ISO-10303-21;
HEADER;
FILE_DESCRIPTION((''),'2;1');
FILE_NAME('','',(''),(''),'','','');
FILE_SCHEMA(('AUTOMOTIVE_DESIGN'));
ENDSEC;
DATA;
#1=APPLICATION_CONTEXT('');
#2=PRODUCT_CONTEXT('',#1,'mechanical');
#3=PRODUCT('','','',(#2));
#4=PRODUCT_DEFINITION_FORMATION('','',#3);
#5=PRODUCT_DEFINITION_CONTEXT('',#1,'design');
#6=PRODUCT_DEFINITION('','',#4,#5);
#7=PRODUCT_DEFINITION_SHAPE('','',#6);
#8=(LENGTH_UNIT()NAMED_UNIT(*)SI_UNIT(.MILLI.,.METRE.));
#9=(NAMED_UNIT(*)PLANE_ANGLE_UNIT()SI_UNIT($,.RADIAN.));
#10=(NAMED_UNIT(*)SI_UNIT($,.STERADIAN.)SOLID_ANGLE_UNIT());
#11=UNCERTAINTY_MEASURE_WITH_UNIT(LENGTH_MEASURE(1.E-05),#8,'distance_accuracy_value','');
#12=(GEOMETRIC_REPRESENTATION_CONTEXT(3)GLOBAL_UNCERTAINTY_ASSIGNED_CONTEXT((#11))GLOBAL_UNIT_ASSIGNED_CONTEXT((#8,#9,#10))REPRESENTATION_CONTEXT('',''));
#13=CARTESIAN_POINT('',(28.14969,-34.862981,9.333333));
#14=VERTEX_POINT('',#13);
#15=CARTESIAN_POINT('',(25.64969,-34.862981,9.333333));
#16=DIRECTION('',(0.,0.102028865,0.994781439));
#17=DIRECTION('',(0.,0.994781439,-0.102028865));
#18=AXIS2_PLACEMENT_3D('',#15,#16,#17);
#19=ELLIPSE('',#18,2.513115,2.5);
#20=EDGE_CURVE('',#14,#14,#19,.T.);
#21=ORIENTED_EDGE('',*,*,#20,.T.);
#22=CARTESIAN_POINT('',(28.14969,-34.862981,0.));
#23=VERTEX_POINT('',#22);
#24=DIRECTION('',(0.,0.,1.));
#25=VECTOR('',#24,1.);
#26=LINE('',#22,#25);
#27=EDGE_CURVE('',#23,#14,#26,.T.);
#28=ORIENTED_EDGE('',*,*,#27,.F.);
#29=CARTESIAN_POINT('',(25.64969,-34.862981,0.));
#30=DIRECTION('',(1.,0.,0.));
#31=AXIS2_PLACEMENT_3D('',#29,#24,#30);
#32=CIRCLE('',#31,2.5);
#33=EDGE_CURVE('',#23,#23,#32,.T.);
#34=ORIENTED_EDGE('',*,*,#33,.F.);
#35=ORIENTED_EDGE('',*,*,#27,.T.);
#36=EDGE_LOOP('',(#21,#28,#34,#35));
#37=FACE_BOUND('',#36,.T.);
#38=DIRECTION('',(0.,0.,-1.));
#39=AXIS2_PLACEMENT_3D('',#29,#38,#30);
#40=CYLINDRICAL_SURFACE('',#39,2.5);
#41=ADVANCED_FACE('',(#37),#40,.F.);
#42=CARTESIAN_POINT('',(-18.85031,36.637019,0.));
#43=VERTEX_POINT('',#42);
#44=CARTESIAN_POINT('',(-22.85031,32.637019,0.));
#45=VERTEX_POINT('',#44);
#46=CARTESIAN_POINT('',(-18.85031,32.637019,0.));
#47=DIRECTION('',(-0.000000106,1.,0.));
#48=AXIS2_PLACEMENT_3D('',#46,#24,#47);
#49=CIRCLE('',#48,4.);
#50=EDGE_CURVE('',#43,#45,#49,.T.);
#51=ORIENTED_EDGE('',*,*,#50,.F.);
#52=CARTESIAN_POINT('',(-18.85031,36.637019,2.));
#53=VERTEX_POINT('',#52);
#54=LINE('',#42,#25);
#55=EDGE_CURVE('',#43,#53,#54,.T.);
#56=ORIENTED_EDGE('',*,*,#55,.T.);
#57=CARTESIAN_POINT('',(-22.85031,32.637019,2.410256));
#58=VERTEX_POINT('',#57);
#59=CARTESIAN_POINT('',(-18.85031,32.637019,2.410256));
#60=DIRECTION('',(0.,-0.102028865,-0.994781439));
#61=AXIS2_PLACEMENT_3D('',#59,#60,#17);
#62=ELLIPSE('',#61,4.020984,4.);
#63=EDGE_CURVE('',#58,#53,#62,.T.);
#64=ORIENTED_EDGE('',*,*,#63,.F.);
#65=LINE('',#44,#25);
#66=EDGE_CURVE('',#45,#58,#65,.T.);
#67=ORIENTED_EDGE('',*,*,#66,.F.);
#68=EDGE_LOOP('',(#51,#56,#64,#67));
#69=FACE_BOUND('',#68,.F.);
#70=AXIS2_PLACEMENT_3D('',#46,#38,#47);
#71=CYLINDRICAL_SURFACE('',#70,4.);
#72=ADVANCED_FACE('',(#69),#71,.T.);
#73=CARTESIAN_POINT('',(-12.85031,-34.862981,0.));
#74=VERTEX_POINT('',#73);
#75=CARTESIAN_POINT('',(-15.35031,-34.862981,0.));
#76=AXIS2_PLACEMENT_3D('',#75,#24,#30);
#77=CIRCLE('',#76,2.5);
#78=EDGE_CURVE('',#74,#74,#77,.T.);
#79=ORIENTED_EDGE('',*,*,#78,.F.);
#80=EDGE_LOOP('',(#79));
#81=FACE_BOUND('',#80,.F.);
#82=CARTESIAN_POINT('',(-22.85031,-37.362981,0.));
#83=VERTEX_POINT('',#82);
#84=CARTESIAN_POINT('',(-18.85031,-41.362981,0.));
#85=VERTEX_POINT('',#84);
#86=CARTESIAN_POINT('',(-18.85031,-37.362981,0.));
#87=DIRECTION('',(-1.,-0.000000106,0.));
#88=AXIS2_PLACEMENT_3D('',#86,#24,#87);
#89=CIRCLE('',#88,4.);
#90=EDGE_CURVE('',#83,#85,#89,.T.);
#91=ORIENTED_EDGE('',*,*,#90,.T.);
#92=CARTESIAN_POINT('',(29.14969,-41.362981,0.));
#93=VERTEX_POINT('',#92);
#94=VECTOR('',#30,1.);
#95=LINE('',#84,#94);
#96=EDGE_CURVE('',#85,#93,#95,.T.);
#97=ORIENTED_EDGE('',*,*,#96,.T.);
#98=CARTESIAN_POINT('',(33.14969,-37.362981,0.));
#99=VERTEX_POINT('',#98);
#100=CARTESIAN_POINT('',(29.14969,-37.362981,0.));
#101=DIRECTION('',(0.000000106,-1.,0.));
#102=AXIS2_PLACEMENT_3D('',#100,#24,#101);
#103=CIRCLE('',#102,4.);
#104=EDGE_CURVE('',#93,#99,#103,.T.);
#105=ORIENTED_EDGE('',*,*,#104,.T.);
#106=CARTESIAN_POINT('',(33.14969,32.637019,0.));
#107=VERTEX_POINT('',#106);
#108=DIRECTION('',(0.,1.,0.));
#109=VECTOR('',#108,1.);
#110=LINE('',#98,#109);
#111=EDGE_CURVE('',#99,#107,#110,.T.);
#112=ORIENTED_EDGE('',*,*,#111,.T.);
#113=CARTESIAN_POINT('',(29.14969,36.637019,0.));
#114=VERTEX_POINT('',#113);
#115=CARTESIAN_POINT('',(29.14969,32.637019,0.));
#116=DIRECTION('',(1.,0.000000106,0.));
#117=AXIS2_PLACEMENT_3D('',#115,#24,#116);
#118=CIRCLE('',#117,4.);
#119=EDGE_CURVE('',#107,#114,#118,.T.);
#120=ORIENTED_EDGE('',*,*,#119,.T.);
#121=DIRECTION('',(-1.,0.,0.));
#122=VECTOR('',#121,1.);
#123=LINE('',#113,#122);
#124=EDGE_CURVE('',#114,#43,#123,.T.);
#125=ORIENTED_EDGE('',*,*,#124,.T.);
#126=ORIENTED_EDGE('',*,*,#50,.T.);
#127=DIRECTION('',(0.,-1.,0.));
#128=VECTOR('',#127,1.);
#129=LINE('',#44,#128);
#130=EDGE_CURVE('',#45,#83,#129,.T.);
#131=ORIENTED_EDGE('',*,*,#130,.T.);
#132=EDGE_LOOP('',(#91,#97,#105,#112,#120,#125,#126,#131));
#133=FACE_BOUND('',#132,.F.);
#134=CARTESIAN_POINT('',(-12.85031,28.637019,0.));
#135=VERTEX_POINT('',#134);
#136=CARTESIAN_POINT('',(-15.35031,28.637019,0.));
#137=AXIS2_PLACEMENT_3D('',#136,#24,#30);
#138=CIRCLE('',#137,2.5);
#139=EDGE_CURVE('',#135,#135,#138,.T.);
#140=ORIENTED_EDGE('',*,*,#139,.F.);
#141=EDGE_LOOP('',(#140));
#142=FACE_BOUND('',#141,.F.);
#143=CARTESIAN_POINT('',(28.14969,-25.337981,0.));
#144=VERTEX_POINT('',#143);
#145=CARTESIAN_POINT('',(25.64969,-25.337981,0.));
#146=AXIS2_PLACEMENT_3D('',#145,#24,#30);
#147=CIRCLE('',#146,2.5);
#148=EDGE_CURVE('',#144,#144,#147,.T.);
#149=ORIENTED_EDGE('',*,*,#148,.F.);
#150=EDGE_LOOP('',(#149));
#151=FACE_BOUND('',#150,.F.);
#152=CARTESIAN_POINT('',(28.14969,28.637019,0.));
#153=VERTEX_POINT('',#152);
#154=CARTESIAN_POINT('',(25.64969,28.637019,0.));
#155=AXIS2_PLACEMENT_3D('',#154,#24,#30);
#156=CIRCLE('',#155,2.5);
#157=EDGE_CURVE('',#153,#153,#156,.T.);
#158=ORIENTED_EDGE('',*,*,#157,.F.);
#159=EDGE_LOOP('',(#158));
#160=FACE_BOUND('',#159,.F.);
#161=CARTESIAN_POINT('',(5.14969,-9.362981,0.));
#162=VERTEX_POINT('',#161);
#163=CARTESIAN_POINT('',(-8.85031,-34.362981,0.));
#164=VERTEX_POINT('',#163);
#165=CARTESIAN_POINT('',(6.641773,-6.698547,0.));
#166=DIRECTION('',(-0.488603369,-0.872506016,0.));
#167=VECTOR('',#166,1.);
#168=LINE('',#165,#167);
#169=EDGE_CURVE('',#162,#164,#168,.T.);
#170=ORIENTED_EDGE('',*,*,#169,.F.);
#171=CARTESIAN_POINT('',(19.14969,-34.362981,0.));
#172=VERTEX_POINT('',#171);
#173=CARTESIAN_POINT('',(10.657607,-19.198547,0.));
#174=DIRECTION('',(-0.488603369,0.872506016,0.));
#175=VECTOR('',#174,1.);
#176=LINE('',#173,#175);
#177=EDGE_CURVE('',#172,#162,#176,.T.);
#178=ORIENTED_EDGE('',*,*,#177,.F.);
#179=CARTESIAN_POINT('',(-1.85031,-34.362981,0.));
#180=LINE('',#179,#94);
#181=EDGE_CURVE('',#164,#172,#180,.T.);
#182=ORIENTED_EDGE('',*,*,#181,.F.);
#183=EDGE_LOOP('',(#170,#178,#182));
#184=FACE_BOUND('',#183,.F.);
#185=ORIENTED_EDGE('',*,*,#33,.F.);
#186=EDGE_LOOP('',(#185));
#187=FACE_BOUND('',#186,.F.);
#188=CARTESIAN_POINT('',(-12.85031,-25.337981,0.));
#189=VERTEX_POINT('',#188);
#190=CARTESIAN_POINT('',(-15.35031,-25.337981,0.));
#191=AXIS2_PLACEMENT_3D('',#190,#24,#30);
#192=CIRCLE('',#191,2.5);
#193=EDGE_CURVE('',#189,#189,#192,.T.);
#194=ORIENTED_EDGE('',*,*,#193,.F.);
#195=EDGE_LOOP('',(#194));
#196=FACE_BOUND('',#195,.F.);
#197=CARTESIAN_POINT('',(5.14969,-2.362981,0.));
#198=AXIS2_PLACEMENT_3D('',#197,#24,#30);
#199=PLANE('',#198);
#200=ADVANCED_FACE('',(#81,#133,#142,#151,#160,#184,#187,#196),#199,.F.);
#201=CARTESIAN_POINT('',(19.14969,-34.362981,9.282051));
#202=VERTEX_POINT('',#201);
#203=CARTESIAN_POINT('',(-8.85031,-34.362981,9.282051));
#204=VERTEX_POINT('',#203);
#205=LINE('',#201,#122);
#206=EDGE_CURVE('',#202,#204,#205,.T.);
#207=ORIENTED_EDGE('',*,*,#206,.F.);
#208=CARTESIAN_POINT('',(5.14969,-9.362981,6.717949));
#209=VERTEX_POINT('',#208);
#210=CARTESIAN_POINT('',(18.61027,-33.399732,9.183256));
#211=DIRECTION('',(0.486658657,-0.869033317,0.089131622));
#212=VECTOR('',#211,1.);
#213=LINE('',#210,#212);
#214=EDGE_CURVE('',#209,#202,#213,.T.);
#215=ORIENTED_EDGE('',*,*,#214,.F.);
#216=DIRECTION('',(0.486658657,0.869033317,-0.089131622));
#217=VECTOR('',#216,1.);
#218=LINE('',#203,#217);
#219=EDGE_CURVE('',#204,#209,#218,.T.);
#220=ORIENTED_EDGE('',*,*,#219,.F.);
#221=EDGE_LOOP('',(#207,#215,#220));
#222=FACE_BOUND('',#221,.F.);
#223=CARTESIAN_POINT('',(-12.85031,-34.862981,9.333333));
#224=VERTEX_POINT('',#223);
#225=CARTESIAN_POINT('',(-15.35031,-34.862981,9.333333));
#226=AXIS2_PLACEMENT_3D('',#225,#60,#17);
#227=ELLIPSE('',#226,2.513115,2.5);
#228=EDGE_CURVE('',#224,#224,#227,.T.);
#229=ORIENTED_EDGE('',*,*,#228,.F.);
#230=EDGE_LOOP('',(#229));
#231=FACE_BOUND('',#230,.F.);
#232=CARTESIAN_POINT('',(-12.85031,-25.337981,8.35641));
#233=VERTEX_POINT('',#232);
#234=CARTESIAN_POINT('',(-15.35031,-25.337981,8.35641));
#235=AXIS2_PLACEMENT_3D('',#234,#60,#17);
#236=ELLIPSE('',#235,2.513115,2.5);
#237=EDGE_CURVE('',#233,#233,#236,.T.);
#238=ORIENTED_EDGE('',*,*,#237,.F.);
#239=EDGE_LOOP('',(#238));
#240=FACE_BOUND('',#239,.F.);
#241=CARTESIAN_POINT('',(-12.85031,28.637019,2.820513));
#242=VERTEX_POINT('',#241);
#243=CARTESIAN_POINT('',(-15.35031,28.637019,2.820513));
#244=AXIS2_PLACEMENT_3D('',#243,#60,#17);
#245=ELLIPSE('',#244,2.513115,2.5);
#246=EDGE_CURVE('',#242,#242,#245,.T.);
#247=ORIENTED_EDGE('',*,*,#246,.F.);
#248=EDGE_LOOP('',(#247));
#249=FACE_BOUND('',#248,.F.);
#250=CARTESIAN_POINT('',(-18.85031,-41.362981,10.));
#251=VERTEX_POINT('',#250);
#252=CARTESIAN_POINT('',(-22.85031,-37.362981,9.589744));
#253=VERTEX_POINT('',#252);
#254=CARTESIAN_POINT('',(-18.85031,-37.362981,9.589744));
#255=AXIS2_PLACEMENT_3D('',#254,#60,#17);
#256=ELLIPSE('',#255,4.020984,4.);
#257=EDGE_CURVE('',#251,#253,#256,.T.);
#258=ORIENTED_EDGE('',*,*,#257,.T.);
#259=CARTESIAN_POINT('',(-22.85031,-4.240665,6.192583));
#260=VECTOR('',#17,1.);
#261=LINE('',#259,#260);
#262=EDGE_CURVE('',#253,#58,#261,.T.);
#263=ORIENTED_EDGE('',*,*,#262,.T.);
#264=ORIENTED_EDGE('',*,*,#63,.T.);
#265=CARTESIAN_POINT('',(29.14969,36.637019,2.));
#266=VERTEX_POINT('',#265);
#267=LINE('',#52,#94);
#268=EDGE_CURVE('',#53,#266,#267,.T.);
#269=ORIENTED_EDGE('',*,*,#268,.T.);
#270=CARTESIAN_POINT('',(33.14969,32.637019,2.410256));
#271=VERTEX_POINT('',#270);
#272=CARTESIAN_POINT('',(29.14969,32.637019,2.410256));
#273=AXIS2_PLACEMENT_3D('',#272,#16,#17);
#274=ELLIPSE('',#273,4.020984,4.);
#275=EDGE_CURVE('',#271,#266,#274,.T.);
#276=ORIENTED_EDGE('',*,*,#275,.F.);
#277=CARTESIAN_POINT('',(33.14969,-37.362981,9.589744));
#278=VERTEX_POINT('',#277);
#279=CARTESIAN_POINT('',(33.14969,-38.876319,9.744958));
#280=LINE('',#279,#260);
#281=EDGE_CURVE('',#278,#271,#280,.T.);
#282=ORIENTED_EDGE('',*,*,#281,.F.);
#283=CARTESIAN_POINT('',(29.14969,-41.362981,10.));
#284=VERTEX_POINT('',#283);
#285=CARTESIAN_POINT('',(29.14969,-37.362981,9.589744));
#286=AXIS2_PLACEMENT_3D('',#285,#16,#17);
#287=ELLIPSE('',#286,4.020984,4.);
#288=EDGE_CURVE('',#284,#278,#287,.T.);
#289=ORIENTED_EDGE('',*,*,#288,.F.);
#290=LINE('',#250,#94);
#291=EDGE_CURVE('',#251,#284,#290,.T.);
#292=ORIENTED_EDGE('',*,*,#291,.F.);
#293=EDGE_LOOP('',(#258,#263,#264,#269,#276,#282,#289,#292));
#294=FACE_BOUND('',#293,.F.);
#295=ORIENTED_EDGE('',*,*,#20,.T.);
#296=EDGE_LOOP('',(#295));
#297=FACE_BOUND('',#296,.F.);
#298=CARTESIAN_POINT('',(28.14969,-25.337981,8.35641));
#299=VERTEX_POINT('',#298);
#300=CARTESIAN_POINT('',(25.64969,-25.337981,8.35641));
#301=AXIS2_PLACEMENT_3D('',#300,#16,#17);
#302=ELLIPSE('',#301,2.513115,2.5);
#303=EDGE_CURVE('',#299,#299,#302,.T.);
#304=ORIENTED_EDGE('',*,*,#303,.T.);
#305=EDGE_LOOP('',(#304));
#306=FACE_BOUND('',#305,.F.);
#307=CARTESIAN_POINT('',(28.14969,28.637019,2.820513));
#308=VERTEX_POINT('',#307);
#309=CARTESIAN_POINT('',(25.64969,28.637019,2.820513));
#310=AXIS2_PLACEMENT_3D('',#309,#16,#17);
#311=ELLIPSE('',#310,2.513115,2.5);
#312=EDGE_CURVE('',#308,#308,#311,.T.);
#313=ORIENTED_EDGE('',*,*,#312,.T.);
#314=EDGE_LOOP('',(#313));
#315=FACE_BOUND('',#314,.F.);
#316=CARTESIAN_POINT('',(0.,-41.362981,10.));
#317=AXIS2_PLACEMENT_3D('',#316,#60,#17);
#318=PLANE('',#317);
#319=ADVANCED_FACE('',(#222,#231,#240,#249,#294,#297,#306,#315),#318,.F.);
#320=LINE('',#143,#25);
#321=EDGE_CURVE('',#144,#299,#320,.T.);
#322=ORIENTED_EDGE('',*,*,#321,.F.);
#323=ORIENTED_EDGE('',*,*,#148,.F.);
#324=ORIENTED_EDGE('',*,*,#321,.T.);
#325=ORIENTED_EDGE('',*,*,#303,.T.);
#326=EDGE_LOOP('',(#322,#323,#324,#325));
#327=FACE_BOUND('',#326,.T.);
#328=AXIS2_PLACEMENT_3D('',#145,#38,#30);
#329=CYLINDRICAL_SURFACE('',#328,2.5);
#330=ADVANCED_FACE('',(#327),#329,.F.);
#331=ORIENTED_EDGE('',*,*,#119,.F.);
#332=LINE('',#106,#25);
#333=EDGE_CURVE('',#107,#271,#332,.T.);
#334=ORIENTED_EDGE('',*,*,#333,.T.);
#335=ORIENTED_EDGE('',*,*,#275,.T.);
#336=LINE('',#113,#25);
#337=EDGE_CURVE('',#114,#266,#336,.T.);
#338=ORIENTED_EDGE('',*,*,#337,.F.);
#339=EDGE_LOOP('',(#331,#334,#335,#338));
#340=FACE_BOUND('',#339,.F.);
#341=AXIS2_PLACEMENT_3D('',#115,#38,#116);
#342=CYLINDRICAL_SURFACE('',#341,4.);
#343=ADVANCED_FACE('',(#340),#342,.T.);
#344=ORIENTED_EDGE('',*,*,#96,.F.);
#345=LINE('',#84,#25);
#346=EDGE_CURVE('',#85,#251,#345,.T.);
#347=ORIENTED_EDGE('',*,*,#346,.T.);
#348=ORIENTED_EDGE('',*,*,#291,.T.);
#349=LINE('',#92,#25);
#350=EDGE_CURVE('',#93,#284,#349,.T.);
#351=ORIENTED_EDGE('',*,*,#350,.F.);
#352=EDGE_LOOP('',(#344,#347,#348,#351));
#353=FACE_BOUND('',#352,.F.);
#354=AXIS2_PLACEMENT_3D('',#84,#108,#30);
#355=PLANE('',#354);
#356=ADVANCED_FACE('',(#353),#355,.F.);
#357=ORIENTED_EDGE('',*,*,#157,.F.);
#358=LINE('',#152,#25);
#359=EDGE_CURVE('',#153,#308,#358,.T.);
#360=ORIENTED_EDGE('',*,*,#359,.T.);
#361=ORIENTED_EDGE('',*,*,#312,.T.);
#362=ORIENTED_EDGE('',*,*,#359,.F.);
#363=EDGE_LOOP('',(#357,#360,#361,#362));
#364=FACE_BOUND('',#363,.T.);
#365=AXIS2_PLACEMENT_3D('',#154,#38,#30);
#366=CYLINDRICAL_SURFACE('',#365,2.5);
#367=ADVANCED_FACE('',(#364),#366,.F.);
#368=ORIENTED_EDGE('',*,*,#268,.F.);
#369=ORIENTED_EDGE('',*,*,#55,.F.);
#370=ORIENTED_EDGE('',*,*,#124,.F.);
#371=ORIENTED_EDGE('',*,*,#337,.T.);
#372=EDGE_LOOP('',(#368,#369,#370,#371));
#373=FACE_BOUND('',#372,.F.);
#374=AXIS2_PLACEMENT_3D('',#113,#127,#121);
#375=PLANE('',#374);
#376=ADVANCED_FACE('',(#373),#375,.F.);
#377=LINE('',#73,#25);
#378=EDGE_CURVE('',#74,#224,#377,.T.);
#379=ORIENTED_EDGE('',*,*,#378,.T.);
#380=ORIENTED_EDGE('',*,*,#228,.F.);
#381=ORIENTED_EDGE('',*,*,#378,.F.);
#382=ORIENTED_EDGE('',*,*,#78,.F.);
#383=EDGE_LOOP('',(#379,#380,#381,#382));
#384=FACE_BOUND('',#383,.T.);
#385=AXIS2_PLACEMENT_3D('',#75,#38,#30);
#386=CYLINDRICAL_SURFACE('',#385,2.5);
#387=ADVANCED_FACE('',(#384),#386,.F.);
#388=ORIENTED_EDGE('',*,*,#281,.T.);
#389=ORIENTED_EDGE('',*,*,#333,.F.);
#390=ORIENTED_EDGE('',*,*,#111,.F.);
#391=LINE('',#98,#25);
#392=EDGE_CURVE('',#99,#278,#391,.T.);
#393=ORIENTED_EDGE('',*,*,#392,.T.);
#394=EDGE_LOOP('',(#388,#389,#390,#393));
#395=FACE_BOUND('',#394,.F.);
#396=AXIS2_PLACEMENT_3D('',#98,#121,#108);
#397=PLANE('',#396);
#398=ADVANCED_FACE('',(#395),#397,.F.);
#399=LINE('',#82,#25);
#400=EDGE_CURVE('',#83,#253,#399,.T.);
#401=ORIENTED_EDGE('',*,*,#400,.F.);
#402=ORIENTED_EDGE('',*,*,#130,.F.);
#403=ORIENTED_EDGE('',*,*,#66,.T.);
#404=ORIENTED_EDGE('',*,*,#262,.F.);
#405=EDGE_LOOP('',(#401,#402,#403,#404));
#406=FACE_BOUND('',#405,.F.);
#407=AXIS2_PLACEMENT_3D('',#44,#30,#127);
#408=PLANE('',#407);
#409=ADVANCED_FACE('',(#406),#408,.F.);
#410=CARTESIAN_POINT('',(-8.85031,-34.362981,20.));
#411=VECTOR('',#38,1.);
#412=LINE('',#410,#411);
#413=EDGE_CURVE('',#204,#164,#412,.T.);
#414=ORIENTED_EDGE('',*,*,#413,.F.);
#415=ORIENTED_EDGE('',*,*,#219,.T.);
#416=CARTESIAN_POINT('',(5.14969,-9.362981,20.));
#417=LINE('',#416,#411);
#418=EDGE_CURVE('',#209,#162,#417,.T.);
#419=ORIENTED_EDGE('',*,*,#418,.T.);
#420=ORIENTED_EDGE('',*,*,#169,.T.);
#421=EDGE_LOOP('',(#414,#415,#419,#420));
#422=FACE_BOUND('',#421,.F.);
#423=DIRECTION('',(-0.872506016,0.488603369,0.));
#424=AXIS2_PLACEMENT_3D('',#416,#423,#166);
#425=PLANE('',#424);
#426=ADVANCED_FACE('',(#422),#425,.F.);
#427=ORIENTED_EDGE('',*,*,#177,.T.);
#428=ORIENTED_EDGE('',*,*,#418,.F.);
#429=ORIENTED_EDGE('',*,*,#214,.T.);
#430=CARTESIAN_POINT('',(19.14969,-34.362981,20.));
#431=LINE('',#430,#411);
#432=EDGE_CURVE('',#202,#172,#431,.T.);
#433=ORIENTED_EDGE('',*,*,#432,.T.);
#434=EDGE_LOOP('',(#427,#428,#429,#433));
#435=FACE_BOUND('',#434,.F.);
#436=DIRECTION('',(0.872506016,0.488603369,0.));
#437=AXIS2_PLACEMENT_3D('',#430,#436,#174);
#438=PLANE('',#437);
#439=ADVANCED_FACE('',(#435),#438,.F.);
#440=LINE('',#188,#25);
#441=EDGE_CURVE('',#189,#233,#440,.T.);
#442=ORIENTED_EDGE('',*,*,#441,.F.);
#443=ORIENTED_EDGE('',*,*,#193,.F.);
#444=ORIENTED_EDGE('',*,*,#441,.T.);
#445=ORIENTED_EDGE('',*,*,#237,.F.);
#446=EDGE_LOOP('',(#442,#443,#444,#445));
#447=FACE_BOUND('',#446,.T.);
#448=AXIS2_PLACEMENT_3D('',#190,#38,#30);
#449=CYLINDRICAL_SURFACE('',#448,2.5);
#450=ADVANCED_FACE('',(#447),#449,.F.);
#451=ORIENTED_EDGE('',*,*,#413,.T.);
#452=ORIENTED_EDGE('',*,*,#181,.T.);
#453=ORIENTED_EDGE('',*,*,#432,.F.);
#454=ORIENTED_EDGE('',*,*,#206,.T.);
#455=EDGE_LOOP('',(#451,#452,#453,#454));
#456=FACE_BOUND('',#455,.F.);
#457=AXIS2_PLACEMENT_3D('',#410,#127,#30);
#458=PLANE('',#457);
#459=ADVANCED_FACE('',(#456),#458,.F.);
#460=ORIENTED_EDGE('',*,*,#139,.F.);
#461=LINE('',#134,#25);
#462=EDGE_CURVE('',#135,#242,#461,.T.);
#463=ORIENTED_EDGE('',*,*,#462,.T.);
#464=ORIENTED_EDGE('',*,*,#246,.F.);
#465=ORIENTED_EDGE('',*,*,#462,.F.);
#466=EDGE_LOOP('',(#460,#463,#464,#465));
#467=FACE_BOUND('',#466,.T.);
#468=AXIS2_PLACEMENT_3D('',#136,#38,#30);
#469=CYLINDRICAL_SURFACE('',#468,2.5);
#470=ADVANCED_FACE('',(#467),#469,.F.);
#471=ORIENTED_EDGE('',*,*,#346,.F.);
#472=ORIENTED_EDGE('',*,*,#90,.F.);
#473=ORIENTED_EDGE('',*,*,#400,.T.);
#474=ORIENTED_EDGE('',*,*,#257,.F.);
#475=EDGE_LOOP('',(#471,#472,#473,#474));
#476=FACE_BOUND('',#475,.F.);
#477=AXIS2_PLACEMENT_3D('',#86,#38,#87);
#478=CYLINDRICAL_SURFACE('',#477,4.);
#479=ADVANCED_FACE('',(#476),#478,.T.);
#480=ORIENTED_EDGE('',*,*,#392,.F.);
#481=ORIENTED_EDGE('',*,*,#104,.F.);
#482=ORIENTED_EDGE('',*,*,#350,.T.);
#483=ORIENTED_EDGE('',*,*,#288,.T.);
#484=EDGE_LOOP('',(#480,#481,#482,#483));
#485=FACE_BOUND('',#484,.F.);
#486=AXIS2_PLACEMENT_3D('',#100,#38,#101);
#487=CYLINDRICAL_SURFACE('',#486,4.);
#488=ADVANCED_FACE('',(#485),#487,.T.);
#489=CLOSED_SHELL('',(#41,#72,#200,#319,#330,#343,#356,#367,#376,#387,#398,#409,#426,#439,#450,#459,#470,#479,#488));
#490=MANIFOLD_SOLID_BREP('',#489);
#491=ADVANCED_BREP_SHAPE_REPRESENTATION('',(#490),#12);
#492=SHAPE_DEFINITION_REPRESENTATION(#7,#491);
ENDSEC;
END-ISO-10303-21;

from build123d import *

# Parameters (mm, degrees)
F0_R          = 2.5
F1_DEPTH      = 20
F3_DEPTH      = 25
F5_DEPTH      = 33.15069
F5_DEPTH_BACK = 22.85131


with BuildPart() as f1:
    # F0 (on Top) → F1 (new body)
    with BuildSketch(Plane.XY):
        with BuildLine():
            Line((29.14969, 36.637019), (-18.85031, 36.637019))
            ThreePointArc((-18.85031, 36.637019), (-21.678737, 35.465446), (-22.85031, 32.637019))
            Line((-22.85031, 32.637019), (-22.85031, -37.362981))
            ThreePointArc((-22.85031, -37.362981), (-21.678737, -40.191408), (-18.85031, -41.362981))
            Line((-18.85031, -41.362981), (29.14969, -41.362981))
            ThreePointArc((29.14969, -41.362981), (31.978117, -40.191408), (33.14969, -37.362981))
            Line((33.14969, -37.362981), (33.14969, 32.637019))
            ThreePointArc((33.14969, 32.637019), (31.978117, 35.465446), (29.14969, 36.637019))
        make_face()
        with Locations((-15.35031, -34.862981)):
            Circle(F0_R, mode=Mode.SUBTRACT)
        with Locations((-15.35031, -25.337981)):
            Circle(F0_R, mode=Mode.SUBTRACT)
        with Locations((25.64969, -34.862981)):
            Circle(F0_R, mode=Mode.SUBTRACT)
        with Locations((25.64969, -25.337981)):
            Circle(F0_R, mode=Mode.SUBTRACT)
        with Locations((-15.35031, 28.637019)):
            Circle(F0_R, mode=Mode.SUBTRACT)
        with Locations((25.64969, 28.637019)):
            Circle(F0_R, mode=Mode.SUBTRACT)
    extrude(amount=F1_DEPTH)

    # F2 (on face) → F3 (cut)
    with BuildSketch(Plane.XY.offset(20)):
        Polygon((5.14969, -9.362981), (-8.85031, -34.362981), (19.14969, -34.362981), align=None)
    extrude(amount=-F3_DEPTH, mode=Mode.SUBTRACT)

    # F4 (on Right) → F5 (cut, two sides)
    with BuildSketch(Plane.YZ) as f5_sk:
        Polygon((36.637019, 2), (36.637019, 20), (-41.362981, 20), (-41.362981, 10), align=None)
    extrude(amount=F5_DEPTH, mode=Mode.SUBTRACT)
    extrude(f5_sk.sketch, amount=-F5_DEPTH_BACK, mode=Mode.SUBTRACT)


solid = f1.part
